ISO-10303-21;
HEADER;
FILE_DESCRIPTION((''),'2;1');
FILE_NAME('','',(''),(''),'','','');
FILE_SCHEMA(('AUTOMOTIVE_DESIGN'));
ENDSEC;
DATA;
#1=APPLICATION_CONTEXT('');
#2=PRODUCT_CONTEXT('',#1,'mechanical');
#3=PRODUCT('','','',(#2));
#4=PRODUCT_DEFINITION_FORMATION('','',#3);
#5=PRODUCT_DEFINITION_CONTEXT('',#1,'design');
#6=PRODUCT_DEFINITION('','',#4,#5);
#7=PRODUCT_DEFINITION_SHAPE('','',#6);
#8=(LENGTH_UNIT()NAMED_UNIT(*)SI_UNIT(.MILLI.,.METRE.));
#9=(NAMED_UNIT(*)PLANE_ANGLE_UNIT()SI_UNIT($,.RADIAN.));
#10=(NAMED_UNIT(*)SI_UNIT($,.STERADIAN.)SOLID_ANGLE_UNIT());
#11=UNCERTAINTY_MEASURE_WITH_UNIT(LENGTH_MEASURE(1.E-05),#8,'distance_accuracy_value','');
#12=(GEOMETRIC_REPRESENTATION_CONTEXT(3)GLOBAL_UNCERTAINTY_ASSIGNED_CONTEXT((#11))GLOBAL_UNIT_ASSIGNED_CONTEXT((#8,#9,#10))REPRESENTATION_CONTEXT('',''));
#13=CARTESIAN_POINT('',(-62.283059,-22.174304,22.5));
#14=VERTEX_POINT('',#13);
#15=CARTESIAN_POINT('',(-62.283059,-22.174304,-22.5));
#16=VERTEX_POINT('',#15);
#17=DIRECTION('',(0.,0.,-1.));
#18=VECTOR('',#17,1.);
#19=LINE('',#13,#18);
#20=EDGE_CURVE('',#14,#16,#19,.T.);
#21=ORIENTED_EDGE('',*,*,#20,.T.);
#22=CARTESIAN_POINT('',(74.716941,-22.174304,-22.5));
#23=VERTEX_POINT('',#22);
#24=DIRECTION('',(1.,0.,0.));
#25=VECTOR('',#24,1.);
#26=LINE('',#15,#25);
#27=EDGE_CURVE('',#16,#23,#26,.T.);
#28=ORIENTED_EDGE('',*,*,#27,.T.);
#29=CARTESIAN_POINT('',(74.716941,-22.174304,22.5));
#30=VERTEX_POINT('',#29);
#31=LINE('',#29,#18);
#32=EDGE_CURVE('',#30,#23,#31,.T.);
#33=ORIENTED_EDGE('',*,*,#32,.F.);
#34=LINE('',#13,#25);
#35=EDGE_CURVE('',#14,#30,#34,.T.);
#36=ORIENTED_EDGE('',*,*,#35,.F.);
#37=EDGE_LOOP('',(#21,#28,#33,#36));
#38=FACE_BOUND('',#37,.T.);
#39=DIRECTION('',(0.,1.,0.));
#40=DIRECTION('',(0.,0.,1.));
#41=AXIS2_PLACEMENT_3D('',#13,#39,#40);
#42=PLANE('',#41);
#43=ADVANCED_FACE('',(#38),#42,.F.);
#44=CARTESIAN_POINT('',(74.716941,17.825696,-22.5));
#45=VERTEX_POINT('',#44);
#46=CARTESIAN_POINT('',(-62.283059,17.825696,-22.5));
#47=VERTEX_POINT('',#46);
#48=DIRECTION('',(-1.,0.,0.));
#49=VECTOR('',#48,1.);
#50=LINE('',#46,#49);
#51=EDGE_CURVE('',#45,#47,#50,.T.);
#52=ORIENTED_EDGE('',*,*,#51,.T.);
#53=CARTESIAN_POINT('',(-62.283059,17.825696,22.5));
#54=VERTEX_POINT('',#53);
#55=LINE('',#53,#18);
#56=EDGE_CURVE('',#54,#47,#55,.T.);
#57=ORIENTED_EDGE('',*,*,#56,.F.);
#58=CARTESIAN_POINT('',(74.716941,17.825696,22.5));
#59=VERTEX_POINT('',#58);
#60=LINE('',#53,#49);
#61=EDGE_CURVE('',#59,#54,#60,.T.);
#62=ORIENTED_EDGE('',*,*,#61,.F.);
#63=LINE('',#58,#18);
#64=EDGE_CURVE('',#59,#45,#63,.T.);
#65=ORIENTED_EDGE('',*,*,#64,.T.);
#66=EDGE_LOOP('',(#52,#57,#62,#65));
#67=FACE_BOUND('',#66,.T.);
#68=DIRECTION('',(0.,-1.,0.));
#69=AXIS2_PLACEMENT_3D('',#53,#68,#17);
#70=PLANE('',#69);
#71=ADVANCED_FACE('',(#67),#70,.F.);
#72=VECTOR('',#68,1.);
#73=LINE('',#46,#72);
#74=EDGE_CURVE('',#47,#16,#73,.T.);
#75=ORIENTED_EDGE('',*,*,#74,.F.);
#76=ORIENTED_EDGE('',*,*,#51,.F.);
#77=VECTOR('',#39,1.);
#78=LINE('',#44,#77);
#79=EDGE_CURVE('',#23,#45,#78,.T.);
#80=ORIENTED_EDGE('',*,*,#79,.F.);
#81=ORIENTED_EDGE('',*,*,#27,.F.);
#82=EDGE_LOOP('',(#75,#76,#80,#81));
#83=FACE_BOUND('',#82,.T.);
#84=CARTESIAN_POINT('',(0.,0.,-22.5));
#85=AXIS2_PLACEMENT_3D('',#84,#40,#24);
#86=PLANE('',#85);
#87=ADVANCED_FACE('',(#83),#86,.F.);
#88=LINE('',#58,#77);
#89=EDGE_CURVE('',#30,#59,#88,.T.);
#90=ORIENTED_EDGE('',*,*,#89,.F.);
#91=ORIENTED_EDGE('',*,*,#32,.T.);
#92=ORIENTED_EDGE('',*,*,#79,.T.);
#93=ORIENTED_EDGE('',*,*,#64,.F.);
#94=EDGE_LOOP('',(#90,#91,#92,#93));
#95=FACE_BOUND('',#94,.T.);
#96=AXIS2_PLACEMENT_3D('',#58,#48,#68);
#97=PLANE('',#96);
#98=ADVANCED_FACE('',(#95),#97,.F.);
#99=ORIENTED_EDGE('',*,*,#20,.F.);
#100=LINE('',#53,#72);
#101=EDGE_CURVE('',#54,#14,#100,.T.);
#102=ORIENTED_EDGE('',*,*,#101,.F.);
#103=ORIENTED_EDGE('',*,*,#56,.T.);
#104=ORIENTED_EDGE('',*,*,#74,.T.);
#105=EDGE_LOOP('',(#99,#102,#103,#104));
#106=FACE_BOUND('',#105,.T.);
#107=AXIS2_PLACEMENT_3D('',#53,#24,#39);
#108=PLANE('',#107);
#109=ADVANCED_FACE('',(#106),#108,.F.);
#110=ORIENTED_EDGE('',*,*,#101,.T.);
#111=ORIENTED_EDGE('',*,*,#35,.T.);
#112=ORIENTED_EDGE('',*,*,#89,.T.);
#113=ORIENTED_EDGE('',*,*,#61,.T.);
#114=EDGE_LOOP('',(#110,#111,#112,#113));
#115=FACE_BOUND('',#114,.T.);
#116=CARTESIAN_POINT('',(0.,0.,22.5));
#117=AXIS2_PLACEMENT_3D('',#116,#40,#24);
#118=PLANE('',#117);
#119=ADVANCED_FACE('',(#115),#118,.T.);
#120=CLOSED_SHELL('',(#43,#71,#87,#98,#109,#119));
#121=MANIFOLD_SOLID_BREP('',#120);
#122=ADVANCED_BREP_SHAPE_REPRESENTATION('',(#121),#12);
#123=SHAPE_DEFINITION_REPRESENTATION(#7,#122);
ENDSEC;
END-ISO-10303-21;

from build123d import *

# Parameters (mm, degrees)
SKETCH1_W           = 137
SKETCH1_H           = 40
BOSS_EXTRUDE1_DEPTH = 22.5


with BuildPart() as part:
    # Sketch1 → Boss-Extrude1 (new, symmetric)
    with BuildSketch(Plane.XY):
        with Locations((6.216941494, -2.174304419)):
            Rectangle(SKETCH1_W, SKETCH1_H)
    extrude(amount=BOSS_EXTRUDE1_DEPTH, both=True)


solid = part.part
